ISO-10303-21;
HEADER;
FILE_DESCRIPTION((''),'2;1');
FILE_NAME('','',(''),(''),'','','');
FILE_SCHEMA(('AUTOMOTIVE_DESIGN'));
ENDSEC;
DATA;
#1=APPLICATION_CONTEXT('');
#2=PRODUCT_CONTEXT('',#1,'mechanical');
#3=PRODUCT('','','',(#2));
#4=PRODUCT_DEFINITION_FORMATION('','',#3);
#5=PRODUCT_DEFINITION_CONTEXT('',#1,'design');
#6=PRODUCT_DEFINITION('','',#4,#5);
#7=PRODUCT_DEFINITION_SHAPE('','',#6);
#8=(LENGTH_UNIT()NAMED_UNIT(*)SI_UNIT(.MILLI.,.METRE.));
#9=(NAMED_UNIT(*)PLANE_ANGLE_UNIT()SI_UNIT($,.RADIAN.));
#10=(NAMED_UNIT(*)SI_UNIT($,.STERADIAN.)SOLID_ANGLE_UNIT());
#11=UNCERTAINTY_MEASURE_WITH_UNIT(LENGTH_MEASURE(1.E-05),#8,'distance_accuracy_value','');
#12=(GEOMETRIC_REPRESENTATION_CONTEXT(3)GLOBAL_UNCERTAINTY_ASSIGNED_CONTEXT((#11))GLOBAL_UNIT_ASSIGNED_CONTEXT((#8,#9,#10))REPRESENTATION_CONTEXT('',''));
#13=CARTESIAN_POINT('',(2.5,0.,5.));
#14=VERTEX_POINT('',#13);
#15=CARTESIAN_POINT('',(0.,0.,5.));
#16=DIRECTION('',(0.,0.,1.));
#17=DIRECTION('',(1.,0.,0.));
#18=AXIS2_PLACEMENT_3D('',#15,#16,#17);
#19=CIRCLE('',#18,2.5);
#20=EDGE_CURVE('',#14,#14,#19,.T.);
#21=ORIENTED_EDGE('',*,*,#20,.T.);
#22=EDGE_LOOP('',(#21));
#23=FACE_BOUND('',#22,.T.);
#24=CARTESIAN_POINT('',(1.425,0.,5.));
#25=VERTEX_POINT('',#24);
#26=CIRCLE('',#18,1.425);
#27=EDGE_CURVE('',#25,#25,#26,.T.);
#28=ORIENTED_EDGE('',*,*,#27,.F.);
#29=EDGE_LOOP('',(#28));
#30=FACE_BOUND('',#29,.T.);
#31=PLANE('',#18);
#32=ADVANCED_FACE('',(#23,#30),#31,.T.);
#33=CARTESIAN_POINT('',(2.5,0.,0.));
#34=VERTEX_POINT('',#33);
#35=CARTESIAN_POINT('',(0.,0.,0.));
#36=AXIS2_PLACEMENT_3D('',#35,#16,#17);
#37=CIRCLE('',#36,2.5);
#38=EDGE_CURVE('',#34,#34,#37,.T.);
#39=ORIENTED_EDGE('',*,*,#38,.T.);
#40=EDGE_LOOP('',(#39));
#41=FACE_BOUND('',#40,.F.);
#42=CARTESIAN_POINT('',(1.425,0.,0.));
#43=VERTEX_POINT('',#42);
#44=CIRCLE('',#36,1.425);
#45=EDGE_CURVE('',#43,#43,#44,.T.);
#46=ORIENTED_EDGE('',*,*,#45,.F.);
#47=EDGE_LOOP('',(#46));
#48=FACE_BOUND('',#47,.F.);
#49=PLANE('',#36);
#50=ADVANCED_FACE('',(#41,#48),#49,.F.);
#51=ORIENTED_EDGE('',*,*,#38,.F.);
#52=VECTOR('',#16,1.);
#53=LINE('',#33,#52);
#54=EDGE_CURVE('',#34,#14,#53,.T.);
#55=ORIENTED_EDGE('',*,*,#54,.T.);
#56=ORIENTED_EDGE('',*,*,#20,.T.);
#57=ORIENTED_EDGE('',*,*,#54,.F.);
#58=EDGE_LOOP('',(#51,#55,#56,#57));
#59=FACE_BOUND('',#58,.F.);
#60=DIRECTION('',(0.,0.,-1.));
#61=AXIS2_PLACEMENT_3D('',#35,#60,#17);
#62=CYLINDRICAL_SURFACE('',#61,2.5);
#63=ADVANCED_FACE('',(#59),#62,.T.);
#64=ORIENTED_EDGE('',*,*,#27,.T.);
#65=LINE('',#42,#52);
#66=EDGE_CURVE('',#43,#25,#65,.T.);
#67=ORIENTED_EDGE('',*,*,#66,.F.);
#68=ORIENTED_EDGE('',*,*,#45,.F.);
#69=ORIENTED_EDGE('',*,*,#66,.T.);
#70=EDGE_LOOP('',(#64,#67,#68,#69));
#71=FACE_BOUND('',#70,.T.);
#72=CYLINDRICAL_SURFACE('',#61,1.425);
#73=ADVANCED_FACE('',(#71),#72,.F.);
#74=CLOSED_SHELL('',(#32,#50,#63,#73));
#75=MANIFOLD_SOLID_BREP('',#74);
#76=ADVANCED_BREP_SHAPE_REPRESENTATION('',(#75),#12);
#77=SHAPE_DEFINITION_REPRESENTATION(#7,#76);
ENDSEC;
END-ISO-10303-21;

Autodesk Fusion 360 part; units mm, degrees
sketch "Sketch1" plane through (0, 0, 0) normal (0, 0, 1) x (1, 0, 0)
  circle A0 centre (0, 0) radius 1.425
  circle A1 centre (0, 0) radius 2.5
  dimension "d1" = 2.85
  dimension "d2" = 5
extrude "Extrude4" add sketch "Sketch1" along normal blind 5
